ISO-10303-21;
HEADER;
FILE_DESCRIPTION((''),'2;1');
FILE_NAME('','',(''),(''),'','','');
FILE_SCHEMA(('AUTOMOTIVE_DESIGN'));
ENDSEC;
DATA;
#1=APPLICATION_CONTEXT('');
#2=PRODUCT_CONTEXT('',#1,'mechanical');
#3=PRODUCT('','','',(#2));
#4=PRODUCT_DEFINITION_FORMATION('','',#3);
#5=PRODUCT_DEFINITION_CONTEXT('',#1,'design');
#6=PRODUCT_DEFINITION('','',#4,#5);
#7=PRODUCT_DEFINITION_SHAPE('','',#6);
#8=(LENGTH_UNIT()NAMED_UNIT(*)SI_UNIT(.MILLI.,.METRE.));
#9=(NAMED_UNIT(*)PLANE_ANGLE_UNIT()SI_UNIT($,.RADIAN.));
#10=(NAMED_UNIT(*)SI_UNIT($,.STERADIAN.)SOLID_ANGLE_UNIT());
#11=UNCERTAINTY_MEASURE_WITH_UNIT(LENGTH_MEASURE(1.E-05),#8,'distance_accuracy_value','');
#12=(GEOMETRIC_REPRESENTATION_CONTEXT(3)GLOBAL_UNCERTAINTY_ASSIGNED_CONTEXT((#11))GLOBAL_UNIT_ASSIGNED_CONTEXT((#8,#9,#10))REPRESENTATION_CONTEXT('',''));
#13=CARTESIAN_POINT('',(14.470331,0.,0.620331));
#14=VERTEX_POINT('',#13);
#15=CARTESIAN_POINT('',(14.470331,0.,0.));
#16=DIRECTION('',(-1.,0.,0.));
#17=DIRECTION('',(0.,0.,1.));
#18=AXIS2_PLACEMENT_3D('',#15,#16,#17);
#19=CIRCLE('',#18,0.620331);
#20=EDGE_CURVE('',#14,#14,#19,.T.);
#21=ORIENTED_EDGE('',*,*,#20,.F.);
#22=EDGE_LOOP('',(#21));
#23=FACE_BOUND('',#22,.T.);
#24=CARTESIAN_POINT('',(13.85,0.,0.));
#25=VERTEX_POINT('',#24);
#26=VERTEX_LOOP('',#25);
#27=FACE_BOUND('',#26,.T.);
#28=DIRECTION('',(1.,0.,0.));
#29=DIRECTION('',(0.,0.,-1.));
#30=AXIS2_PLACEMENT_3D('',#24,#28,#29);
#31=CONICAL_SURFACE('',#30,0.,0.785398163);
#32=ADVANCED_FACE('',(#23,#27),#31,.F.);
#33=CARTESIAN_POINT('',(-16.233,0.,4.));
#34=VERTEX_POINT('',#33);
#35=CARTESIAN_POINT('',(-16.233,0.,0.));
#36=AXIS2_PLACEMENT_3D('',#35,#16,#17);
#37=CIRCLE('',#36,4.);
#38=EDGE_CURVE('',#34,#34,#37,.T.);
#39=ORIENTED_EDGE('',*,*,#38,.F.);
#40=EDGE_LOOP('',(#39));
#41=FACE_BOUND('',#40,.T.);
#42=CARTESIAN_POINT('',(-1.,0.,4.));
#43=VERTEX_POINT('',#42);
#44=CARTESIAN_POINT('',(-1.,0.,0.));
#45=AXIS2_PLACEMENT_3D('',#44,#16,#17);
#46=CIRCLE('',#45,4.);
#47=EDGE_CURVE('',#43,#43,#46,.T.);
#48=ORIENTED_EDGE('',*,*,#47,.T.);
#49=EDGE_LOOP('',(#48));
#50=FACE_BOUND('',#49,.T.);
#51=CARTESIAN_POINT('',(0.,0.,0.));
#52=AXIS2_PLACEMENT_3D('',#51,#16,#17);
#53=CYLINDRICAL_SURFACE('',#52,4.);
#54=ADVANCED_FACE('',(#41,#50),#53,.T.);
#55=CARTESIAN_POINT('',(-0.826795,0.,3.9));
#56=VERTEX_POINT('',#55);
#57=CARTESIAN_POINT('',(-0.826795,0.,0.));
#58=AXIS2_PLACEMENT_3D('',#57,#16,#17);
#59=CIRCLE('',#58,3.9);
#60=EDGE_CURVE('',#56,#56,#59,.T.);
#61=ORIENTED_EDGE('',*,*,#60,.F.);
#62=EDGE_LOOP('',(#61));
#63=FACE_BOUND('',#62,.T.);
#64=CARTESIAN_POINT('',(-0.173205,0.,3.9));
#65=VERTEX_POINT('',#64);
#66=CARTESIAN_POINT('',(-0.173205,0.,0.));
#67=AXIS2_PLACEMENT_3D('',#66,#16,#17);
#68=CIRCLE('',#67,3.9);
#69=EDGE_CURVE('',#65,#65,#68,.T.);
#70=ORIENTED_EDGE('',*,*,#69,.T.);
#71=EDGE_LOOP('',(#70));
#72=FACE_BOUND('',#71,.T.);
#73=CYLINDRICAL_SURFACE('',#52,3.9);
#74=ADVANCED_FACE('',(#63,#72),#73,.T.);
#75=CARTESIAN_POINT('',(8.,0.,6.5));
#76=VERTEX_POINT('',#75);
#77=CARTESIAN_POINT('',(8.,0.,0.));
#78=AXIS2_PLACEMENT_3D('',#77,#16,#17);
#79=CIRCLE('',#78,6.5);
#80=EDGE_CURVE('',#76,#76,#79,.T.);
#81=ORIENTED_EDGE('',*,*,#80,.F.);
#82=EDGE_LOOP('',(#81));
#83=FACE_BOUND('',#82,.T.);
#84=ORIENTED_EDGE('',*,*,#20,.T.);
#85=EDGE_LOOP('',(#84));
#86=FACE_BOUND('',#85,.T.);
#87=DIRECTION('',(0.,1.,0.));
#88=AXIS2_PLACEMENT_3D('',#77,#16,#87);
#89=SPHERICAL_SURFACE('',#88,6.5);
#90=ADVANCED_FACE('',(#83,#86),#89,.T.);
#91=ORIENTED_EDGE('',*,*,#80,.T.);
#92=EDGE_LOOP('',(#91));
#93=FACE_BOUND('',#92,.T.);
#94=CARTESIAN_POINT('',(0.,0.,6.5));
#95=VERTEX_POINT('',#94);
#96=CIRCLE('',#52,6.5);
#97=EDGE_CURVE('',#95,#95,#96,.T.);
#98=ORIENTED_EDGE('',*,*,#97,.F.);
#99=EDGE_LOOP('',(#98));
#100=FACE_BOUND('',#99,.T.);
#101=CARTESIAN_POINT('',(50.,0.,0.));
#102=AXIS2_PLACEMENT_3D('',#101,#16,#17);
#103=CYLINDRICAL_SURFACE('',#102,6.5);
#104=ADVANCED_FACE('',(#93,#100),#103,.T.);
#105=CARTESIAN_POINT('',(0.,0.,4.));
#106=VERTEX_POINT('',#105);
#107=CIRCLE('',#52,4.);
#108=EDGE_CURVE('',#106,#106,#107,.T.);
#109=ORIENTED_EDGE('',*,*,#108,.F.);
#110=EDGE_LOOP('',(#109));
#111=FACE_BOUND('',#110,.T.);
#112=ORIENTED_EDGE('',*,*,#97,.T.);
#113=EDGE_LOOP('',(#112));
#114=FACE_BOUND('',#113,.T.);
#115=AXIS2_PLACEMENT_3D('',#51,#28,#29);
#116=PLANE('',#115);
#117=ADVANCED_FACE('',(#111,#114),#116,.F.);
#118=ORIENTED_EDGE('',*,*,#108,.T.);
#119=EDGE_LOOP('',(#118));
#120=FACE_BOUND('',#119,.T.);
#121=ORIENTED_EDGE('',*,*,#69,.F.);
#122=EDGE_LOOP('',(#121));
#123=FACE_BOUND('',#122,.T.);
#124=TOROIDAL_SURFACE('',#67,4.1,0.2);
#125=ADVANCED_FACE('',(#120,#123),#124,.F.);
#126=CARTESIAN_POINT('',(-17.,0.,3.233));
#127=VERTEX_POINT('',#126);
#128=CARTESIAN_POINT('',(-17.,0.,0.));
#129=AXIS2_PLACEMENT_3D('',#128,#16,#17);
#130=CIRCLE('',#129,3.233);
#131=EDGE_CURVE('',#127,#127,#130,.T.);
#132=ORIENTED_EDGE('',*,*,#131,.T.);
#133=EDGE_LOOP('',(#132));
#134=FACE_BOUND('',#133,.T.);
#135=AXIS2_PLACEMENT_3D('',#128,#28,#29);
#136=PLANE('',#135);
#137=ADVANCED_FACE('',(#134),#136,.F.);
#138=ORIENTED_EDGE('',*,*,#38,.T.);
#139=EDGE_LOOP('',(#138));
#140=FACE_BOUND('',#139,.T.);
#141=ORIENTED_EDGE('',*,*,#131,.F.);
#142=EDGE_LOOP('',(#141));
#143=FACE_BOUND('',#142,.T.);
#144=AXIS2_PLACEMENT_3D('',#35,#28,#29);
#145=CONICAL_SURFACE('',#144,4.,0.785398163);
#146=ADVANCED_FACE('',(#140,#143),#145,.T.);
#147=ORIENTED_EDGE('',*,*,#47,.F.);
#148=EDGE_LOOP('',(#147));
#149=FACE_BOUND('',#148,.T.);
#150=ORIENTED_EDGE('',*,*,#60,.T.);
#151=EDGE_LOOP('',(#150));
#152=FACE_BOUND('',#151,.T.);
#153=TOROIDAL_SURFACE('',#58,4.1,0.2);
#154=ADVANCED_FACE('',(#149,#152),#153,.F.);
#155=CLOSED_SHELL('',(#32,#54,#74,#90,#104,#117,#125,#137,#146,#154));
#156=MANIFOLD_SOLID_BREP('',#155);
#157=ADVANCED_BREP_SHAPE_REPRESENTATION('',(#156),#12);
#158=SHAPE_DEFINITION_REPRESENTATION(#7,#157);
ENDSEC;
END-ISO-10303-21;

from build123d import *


with BuildPart() as part:
    # Sketch1 → Revolve1 (revolve)
    with BuildSketch(Plane.XY):
        Polygon((-17, 0), (-17, 3.233), (-16.233, 4), (0, 4), (0, 0), align=None)
    revolve(axis=Axis((0, 0, 0), (-1, 0, 0)))

    # Sketch2 → Revolve2 (revolve)
    with BuildSketch(Plane.XY):
        with BuildLine():
            Line((0, 0), (0, 6.5))
            Line((0, 6.5), (8, 6.5))
            ThreePointArc((8, 6.5), (12.371375393, 4.81051735), (14.470331437, 0.620331437))
            Line((14.470331437, 0.620331437), (13.85, 0))
            Line((13.85, 0), (0, 0))
        make_face()
    revolve(axis=Axis((50, 0, 0), (-1, 0, 0)))

    # Sketch3 → Cut-Revolve1 (revolve, cut)
    with BuildSketch(Plane.XY):
        with BuildLine():
            Line((-0.826794919, 3.9), (-0.173205081, 3.9))
            ThreePointArc((-0.173205081, 3.9), (-0.073205081, 3.926794919), (0, 4))
            Line((0, 4), (0, 4.9))
            Line((0, 4.9), (-1, 4.9))
            Line((-1, 4.9), (-1, 4))
            ThreePointArc((-1, 4), (-0.926794919, 3.926794919), (-0.826794919, 3.9))
        make_face()
    revolve(axis=Axis((0, 0, 0), (-1, 0, 0)), mode=Mode.SUBTRACT)


solid = part.part
